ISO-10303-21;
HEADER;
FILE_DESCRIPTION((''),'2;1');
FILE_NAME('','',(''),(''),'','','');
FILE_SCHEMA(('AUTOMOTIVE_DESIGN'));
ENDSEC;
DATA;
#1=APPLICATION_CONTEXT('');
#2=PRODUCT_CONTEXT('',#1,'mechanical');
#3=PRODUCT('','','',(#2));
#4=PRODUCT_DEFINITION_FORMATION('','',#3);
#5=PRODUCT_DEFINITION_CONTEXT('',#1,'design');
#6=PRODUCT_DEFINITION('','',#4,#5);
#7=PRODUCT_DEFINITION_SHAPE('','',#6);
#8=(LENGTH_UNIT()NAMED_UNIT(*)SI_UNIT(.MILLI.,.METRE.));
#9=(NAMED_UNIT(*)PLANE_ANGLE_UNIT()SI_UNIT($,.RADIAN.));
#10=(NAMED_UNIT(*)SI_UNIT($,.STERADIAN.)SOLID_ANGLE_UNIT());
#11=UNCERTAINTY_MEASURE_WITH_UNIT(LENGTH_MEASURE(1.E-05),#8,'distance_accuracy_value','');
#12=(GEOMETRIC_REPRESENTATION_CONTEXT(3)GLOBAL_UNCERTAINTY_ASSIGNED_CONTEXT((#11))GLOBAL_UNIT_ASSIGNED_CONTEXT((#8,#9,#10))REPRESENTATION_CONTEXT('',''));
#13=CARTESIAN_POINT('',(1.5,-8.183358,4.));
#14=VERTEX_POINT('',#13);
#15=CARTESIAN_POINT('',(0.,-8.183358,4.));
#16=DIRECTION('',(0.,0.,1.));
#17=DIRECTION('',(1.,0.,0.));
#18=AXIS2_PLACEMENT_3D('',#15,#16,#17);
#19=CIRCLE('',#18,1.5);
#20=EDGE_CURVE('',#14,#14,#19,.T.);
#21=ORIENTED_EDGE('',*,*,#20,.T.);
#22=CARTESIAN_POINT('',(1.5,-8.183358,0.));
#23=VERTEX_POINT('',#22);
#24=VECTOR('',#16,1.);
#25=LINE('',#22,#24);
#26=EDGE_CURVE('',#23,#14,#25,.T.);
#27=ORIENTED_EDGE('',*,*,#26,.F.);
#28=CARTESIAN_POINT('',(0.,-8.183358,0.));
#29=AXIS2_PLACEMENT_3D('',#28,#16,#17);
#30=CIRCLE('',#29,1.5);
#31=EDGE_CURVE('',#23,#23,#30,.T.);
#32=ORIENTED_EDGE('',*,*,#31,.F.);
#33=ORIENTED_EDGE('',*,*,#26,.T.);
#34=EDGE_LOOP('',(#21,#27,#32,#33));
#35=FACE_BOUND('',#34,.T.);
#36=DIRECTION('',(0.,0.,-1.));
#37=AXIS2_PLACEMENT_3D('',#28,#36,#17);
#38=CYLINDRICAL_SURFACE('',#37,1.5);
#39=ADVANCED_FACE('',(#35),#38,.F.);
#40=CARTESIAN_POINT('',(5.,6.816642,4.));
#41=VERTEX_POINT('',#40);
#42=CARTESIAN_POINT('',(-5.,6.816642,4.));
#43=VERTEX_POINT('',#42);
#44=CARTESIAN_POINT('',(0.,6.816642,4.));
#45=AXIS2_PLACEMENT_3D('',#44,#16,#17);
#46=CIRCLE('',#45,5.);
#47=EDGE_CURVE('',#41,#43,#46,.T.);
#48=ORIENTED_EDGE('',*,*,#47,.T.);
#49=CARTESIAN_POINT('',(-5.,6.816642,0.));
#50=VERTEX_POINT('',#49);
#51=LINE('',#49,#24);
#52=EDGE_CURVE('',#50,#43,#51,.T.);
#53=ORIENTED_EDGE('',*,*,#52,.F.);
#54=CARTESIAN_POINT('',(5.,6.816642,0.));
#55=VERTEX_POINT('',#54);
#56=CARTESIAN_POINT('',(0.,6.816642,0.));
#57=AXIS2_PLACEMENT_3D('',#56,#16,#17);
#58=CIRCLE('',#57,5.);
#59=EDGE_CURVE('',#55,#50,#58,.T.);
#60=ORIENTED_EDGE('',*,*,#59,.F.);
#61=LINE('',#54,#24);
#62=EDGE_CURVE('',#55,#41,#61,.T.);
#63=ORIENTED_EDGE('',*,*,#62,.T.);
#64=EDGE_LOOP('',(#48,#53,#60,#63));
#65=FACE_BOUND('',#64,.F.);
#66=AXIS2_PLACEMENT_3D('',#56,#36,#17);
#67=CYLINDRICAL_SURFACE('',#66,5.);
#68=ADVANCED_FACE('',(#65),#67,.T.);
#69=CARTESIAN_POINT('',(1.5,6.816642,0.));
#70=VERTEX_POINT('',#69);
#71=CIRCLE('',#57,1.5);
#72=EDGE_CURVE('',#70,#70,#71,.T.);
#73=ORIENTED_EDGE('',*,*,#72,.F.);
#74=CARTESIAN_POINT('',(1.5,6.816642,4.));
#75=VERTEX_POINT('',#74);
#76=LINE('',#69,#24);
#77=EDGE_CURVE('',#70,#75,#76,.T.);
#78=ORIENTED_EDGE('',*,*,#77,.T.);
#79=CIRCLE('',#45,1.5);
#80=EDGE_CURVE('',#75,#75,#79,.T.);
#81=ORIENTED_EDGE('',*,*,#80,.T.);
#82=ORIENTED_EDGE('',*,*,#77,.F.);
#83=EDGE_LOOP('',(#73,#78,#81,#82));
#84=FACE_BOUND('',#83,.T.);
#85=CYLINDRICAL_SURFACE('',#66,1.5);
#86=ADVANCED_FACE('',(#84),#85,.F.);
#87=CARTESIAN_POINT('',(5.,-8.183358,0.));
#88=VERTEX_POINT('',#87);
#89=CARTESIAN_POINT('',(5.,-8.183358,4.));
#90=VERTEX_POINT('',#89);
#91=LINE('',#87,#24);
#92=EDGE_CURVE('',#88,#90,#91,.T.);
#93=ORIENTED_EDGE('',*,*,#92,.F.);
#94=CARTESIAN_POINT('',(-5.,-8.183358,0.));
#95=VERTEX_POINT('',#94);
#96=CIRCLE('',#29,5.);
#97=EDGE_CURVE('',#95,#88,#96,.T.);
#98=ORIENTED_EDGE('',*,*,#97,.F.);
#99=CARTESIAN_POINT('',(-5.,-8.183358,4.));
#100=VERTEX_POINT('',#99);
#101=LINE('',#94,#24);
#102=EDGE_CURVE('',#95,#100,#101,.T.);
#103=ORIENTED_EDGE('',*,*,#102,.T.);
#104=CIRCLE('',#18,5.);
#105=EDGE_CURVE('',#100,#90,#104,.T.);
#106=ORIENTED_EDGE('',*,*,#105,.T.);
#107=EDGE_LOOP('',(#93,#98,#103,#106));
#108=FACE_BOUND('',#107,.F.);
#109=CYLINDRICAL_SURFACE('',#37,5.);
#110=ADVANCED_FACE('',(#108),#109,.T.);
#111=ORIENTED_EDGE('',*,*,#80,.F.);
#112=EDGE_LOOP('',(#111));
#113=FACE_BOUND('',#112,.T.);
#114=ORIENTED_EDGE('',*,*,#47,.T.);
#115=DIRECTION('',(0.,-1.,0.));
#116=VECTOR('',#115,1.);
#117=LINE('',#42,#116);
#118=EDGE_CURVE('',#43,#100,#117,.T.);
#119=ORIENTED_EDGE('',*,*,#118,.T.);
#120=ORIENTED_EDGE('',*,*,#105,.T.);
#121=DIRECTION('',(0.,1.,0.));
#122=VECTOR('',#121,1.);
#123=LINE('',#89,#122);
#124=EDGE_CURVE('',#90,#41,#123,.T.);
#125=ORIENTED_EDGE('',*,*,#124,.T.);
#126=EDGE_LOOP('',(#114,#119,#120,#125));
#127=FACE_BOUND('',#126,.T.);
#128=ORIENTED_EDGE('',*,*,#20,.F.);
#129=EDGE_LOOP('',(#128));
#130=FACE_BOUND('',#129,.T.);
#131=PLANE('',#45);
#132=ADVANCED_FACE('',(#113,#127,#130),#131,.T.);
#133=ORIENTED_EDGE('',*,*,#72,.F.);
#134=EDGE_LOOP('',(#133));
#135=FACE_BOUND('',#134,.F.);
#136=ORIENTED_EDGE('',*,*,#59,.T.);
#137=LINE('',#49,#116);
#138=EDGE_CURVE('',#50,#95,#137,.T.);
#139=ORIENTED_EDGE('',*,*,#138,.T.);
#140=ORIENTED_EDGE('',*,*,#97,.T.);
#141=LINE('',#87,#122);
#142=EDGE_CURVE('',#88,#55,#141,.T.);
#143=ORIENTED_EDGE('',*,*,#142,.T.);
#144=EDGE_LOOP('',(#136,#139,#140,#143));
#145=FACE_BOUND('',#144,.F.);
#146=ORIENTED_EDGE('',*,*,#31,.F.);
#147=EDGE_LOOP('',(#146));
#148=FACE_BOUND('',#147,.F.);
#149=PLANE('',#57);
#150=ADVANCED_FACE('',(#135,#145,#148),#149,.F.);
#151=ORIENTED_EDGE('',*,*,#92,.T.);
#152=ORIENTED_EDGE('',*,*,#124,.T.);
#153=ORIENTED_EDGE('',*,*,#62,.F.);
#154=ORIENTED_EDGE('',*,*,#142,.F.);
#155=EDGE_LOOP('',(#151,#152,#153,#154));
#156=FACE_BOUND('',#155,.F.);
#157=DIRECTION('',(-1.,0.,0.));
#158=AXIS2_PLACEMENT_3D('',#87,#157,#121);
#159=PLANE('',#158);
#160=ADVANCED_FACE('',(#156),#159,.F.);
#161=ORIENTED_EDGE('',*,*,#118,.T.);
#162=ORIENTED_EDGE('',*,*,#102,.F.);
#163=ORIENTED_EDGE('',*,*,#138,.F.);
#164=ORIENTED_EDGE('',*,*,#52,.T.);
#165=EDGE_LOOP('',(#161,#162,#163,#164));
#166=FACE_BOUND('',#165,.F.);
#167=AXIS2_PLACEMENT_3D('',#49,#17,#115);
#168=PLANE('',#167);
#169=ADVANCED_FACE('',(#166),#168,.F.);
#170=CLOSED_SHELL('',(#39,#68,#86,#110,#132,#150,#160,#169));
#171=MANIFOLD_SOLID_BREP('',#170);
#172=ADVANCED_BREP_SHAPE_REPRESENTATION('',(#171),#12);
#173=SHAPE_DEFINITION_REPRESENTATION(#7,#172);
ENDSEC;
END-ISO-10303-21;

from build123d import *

# Parameters (mm, degrees)
F0_R     = 1.5
F1_DEPTH = 4


with BuildPart() as f1:
    # F0 (on Top) → F1 (new body)
    with BuildSketch(Plane.XY):
        with BuildLine():
            ThreePointArc((-5, 6.816642), (0, 1.816642), (5, 6.816642))
            ThreePointArc((5, 6.816642), (0, 11.816642), (-5, 6.816642))
        make_face()
        with Locations((0, 6.816642)):
            Circle(F0_R, mode=Mode.SUBTRACT)
        with BuildLine():
            Line((5, -8.183358), (5, 6.816642))
            ThreePointArc((5, 6.816642), (0, 1.816642), (-5, 6.816642))
            Line((-5, 6.816642), (-5, -8.183358))
            ThreePointArc((-5, -8.183358), (0, -3.183358), (5, -8.183358))
        make_face()
        with BuildLine():
            ThreePointArc((-5, -8.183358), (0, -13.183358), (5, -8.183358))
            ThreePointArc((5, -8.183358), (0, -3.183358), (-5, -8.183358))
        make_face()
        with Locations((0, -8.183358)):
            Circle(F0_R, mode=Mode.SUBTRACT)
    extrude(amount=F1_DEPTH)


solid = f1.part
